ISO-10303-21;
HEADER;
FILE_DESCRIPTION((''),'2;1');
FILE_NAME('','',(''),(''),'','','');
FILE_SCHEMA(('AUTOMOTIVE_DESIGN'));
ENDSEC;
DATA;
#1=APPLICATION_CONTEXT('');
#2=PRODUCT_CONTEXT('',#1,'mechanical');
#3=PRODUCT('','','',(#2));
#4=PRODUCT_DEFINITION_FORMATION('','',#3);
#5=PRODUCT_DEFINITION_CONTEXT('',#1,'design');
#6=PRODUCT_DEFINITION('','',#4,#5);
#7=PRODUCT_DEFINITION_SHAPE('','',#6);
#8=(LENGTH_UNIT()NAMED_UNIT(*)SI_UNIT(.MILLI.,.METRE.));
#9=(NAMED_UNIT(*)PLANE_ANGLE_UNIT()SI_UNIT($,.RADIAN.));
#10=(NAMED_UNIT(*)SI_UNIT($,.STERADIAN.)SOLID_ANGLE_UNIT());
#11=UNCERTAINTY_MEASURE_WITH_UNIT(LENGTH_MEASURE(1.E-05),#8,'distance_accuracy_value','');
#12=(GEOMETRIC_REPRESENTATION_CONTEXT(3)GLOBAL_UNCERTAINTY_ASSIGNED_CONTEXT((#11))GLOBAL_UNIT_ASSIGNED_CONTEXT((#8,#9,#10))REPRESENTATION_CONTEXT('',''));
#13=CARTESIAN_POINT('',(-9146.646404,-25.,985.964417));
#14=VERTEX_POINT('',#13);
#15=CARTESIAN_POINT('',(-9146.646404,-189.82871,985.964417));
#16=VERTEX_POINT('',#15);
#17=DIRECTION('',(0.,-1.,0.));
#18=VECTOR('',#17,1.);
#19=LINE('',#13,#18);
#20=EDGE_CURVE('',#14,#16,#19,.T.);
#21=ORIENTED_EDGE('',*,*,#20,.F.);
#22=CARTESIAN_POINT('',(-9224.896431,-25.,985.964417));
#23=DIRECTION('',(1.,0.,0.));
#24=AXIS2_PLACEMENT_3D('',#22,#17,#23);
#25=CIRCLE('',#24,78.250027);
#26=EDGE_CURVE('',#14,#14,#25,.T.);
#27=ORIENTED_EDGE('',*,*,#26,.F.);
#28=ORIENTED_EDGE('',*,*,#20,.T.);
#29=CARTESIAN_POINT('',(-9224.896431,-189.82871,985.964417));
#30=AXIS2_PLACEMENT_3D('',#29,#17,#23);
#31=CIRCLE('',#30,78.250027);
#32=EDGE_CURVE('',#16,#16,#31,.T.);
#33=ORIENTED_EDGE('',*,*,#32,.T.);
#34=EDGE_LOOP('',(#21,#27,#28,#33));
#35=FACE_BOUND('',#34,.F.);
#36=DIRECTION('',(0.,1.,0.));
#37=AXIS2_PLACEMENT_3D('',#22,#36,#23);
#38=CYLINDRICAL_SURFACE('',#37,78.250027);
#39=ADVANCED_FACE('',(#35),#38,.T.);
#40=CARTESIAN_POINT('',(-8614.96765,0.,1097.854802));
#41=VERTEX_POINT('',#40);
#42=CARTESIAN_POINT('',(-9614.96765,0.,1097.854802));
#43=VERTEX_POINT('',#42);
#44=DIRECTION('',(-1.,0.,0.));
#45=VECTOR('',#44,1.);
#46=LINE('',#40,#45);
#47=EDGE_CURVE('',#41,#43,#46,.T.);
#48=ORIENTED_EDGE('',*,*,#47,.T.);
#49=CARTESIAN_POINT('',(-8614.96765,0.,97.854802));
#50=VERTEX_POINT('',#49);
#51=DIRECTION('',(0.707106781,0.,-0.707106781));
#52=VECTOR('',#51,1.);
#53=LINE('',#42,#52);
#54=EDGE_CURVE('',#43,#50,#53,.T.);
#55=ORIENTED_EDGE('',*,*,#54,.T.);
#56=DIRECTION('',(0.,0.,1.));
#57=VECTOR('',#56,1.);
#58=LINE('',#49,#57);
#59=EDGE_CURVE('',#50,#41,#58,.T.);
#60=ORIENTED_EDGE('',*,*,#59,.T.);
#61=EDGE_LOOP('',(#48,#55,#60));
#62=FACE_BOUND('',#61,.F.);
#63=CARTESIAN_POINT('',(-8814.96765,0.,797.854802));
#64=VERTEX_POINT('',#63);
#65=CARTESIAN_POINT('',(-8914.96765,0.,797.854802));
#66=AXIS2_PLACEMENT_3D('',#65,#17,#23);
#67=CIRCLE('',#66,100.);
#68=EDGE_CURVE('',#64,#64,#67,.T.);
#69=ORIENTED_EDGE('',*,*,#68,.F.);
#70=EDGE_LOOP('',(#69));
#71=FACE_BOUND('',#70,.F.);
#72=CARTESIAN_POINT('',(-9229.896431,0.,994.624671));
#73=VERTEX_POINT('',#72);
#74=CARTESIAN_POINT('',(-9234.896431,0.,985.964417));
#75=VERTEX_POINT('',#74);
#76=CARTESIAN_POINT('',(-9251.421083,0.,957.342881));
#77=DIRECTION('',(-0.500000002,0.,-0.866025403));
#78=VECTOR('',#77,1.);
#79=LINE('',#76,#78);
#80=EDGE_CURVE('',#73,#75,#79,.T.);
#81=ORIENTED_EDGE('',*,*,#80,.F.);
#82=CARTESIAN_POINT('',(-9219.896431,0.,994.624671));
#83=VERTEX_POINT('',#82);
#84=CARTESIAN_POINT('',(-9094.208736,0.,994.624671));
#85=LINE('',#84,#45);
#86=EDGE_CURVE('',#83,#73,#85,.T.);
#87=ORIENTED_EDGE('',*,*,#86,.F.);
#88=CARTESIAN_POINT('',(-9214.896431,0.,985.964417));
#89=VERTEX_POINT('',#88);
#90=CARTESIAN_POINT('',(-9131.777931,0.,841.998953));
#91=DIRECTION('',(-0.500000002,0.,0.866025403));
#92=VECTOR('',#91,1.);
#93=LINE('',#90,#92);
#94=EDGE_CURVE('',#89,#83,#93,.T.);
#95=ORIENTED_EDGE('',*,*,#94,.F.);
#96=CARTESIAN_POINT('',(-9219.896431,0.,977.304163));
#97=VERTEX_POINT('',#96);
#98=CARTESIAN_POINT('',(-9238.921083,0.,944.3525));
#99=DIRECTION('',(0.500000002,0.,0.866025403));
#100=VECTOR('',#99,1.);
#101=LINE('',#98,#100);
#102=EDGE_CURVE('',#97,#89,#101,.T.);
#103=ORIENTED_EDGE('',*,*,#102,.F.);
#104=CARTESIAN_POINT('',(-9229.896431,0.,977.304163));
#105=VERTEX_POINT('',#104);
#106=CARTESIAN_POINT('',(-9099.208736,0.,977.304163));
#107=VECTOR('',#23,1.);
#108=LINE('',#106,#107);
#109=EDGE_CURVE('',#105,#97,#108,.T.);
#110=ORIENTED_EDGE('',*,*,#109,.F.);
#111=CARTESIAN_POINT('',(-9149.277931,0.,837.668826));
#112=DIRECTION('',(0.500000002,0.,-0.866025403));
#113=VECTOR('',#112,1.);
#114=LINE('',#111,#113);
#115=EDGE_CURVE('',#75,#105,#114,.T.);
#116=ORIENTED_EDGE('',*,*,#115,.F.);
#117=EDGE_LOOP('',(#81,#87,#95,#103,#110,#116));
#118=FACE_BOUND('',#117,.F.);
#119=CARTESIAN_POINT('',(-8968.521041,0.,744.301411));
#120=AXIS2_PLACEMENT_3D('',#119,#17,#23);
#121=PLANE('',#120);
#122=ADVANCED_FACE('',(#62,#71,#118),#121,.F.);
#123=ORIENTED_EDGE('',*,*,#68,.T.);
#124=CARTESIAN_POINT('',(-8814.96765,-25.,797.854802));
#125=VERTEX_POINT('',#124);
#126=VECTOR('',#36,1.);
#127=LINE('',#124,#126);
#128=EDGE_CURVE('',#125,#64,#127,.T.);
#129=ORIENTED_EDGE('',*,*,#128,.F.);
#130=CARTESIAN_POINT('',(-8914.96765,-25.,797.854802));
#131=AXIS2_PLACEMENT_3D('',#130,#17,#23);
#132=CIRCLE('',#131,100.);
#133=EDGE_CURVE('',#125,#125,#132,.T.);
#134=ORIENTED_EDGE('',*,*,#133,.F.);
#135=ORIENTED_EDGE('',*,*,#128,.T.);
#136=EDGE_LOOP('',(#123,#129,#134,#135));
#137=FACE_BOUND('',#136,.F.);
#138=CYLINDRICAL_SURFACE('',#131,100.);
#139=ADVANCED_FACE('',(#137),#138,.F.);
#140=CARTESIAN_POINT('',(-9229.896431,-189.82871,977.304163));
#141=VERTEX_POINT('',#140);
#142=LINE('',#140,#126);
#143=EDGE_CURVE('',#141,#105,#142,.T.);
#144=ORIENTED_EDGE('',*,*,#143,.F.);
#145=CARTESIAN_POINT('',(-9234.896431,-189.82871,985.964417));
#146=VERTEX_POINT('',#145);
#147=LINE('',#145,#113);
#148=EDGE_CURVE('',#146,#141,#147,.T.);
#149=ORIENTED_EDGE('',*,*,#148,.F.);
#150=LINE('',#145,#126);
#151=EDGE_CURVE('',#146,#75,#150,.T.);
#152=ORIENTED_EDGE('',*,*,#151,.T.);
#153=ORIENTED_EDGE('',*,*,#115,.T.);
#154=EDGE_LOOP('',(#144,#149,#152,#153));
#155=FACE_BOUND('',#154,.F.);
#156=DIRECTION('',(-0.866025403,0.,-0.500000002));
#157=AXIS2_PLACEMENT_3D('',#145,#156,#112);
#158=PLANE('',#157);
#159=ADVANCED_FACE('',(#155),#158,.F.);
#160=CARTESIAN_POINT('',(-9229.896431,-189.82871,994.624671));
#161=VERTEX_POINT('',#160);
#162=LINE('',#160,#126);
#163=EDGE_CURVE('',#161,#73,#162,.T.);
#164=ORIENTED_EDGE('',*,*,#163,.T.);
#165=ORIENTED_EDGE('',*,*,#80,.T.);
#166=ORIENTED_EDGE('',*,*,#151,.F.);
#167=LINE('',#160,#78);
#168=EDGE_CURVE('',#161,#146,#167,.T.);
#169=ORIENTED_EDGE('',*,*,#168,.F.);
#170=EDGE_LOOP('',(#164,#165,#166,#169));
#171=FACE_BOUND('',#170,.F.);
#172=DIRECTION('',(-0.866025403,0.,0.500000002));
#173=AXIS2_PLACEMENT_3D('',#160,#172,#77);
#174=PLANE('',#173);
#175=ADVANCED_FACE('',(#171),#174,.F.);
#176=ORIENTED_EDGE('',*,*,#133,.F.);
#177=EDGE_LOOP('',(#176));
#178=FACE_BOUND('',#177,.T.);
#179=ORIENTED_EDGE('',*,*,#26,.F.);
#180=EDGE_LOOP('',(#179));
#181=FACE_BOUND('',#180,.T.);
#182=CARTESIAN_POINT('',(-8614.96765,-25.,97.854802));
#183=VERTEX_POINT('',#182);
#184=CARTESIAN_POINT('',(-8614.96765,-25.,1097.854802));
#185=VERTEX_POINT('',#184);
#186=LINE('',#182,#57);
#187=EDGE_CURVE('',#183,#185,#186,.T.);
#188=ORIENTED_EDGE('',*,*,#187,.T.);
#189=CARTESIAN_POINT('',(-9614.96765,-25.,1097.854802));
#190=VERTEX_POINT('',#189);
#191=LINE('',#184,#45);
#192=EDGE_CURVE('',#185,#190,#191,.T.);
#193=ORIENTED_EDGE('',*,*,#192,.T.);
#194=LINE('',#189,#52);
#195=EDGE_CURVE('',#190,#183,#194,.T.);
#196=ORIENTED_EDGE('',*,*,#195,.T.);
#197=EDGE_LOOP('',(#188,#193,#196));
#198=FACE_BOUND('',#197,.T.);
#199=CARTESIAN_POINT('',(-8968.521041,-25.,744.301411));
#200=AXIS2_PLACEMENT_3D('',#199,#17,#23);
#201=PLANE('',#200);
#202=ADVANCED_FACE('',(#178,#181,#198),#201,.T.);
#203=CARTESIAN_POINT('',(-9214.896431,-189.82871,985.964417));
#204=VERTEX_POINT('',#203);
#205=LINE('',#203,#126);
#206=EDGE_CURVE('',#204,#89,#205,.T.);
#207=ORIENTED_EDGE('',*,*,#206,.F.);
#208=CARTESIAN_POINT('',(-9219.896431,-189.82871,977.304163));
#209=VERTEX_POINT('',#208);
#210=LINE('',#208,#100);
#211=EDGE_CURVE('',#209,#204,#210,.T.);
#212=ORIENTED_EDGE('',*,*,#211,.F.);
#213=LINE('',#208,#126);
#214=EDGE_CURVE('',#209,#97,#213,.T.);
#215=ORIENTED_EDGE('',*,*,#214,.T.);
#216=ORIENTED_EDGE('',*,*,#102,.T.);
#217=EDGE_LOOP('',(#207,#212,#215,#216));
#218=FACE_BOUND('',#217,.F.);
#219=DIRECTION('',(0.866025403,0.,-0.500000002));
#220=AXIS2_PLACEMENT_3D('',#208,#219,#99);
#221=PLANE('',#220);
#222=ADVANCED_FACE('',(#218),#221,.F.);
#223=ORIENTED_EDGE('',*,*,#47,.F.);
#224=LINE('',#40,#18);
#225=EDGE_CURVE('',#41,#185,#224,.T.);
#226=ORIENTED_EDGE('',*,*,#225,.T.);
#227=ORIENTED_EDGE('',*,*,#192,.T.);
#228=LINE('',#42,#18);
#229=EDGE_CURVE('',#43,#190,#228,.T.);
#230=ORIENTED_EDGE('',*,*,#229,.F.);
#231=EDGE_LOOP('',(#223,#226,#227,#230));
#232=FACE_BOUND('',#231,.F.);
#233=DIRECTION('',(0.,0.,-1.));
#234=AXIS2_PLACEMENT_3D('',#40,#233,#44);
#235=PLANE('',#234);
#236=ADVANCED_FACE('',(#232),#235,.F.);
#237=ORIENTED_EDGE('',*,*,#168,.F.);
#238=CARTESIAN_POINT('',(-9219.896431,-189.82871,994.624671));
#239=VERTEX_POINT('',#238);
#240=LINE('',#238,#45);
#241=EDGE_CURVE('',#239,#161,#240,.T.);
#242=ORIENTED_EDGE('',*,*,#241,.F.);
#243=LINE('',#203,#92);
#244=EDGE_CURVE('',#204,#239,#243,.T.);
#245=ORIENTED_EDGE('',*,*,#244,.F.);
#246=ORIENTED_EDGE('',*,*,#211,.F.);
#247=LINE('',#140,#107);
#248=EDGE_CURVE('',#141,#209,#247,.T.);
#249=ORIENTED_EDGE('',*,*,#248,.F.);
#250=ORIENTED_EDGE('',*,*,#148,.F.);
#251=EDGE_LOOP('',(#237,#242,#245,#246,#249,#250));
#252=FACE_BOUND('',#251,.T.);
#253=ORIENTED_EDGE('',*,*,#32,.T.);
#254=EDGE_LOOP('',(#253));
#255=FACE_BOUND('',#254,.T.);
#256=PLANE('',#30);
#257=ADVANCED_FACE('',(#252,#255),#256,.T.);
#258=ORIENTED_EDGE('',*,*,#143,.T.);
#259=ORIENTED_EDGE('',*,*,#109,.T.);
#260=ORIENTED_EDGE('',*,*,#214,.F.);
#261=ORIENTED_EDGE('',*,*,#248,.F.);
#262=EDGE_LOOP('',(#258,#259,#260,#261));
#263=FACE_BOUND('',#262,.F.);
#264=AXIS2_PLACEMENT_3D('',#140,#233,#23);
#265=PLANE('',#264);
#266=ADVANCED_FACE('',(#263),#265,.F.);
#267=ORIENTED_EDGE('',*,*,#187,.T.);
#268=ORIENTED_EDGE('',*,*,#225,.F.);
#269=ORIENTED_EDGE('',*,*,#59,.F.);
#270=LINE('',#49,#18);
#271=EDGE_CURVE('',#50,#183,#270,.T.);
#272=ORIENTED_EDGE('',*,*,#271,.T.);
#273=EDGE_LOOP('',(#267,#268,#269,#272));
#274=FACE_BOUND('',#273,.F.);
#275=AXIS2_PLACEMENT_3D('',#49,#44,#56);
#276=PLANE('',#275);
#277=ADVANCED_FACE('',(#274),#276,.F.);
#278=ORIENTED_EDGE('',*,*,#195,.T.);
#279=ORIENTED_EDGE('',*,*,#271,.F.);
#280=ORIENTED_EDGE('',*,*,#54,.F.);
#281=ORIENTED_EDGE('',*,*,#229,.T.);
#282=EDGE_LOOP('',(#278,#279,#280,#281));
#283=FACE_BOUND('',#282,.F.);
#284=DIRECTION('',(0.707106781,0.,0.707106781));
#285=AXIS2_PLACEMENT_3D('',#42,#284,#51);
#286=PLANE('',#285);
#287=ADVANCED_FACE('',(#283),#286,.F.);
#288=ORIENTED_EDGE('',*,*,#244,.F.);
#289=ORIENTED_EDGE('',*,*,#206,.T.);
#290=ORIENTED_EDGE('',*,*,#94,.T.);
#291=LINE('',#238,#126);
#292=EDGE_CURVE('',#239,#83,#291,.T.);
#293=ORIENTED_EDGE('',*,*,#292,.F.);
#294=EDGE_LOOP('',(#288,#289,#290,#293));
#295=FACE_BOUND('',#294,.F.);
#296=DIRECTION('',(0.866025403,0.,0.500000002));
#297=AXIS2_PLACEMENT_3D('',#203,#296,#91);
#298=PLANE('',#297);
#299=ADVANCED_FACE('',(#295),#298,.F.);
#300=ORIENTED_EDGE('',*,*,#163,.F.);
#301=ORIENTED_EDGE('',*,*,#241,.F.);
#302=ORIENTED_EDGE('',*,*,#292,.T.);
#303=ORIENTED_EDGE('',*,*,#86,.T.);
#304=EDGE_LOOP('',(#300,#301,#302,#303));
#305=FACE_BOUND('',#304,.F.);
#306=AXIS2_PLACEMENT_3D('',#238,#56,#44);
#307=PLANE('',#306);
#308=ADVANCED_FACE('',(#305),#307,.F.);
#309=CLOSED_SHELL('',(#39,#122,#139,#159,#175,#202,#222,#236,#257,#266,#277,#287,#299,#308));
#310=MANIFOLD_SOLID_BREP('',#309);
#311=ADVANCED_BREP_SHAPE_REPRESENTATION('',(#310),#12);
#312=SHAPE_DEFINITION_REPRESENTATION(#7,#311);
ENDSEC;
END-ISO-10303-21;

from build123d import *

# Parameters (mm, degrees)
F1_DEPTH = 25
F2_R     = 100
F3_DEPTH = 25.001
F4_R     = 78.250027
F5_DEPTH = 164.82871
F7_DEPTH = 189.82971


with BuildPart() as f1:
    # F0 (on Front) → F1 (new body)
    with BuildSketch(Plane.XZ):
        Polygon((-8614.96765, 1097.854802), (-9614.96765, 1097.854802), (-8614.96765, 97.854802), align=None)
    extrude(amount=F1_DEPTH)

    # F2 (on face) → F3 (cut, through all)
    with BuildSketch(Plane.XZ.offset(25)):
        with Locations((-8914.96765, 797.854802)):
            Circle(F2_R)
    extrude(amount=-F3_DEPTH, mode=Mode.SUBTRACT)

    # F4 (on face) → F5 (join)
    with BuildSketch(Plane.XZ.offset(25)):
        with Locations((-9224.896431, 985.964417)):
            Circle(F4_R)
    extrude(amount=F5_DEPTH)

    # F6 (on face) → F7 (cut, through all)
    with BuildSketch(Plane.XZ.offset(189.82871)):
        Polygon((-9229.896431, 977.304163), (-9219.896431, 977.304163), (-9214.896431, 985.964417), (-9219.896431, 994.624671), (-9229.896431, 994.624671), (-9234.896431, 985.964417), align=None)
    extrude(amount=-F7_DEPTH, mode=Mode.SUBTRACT)


solid = f1.part
